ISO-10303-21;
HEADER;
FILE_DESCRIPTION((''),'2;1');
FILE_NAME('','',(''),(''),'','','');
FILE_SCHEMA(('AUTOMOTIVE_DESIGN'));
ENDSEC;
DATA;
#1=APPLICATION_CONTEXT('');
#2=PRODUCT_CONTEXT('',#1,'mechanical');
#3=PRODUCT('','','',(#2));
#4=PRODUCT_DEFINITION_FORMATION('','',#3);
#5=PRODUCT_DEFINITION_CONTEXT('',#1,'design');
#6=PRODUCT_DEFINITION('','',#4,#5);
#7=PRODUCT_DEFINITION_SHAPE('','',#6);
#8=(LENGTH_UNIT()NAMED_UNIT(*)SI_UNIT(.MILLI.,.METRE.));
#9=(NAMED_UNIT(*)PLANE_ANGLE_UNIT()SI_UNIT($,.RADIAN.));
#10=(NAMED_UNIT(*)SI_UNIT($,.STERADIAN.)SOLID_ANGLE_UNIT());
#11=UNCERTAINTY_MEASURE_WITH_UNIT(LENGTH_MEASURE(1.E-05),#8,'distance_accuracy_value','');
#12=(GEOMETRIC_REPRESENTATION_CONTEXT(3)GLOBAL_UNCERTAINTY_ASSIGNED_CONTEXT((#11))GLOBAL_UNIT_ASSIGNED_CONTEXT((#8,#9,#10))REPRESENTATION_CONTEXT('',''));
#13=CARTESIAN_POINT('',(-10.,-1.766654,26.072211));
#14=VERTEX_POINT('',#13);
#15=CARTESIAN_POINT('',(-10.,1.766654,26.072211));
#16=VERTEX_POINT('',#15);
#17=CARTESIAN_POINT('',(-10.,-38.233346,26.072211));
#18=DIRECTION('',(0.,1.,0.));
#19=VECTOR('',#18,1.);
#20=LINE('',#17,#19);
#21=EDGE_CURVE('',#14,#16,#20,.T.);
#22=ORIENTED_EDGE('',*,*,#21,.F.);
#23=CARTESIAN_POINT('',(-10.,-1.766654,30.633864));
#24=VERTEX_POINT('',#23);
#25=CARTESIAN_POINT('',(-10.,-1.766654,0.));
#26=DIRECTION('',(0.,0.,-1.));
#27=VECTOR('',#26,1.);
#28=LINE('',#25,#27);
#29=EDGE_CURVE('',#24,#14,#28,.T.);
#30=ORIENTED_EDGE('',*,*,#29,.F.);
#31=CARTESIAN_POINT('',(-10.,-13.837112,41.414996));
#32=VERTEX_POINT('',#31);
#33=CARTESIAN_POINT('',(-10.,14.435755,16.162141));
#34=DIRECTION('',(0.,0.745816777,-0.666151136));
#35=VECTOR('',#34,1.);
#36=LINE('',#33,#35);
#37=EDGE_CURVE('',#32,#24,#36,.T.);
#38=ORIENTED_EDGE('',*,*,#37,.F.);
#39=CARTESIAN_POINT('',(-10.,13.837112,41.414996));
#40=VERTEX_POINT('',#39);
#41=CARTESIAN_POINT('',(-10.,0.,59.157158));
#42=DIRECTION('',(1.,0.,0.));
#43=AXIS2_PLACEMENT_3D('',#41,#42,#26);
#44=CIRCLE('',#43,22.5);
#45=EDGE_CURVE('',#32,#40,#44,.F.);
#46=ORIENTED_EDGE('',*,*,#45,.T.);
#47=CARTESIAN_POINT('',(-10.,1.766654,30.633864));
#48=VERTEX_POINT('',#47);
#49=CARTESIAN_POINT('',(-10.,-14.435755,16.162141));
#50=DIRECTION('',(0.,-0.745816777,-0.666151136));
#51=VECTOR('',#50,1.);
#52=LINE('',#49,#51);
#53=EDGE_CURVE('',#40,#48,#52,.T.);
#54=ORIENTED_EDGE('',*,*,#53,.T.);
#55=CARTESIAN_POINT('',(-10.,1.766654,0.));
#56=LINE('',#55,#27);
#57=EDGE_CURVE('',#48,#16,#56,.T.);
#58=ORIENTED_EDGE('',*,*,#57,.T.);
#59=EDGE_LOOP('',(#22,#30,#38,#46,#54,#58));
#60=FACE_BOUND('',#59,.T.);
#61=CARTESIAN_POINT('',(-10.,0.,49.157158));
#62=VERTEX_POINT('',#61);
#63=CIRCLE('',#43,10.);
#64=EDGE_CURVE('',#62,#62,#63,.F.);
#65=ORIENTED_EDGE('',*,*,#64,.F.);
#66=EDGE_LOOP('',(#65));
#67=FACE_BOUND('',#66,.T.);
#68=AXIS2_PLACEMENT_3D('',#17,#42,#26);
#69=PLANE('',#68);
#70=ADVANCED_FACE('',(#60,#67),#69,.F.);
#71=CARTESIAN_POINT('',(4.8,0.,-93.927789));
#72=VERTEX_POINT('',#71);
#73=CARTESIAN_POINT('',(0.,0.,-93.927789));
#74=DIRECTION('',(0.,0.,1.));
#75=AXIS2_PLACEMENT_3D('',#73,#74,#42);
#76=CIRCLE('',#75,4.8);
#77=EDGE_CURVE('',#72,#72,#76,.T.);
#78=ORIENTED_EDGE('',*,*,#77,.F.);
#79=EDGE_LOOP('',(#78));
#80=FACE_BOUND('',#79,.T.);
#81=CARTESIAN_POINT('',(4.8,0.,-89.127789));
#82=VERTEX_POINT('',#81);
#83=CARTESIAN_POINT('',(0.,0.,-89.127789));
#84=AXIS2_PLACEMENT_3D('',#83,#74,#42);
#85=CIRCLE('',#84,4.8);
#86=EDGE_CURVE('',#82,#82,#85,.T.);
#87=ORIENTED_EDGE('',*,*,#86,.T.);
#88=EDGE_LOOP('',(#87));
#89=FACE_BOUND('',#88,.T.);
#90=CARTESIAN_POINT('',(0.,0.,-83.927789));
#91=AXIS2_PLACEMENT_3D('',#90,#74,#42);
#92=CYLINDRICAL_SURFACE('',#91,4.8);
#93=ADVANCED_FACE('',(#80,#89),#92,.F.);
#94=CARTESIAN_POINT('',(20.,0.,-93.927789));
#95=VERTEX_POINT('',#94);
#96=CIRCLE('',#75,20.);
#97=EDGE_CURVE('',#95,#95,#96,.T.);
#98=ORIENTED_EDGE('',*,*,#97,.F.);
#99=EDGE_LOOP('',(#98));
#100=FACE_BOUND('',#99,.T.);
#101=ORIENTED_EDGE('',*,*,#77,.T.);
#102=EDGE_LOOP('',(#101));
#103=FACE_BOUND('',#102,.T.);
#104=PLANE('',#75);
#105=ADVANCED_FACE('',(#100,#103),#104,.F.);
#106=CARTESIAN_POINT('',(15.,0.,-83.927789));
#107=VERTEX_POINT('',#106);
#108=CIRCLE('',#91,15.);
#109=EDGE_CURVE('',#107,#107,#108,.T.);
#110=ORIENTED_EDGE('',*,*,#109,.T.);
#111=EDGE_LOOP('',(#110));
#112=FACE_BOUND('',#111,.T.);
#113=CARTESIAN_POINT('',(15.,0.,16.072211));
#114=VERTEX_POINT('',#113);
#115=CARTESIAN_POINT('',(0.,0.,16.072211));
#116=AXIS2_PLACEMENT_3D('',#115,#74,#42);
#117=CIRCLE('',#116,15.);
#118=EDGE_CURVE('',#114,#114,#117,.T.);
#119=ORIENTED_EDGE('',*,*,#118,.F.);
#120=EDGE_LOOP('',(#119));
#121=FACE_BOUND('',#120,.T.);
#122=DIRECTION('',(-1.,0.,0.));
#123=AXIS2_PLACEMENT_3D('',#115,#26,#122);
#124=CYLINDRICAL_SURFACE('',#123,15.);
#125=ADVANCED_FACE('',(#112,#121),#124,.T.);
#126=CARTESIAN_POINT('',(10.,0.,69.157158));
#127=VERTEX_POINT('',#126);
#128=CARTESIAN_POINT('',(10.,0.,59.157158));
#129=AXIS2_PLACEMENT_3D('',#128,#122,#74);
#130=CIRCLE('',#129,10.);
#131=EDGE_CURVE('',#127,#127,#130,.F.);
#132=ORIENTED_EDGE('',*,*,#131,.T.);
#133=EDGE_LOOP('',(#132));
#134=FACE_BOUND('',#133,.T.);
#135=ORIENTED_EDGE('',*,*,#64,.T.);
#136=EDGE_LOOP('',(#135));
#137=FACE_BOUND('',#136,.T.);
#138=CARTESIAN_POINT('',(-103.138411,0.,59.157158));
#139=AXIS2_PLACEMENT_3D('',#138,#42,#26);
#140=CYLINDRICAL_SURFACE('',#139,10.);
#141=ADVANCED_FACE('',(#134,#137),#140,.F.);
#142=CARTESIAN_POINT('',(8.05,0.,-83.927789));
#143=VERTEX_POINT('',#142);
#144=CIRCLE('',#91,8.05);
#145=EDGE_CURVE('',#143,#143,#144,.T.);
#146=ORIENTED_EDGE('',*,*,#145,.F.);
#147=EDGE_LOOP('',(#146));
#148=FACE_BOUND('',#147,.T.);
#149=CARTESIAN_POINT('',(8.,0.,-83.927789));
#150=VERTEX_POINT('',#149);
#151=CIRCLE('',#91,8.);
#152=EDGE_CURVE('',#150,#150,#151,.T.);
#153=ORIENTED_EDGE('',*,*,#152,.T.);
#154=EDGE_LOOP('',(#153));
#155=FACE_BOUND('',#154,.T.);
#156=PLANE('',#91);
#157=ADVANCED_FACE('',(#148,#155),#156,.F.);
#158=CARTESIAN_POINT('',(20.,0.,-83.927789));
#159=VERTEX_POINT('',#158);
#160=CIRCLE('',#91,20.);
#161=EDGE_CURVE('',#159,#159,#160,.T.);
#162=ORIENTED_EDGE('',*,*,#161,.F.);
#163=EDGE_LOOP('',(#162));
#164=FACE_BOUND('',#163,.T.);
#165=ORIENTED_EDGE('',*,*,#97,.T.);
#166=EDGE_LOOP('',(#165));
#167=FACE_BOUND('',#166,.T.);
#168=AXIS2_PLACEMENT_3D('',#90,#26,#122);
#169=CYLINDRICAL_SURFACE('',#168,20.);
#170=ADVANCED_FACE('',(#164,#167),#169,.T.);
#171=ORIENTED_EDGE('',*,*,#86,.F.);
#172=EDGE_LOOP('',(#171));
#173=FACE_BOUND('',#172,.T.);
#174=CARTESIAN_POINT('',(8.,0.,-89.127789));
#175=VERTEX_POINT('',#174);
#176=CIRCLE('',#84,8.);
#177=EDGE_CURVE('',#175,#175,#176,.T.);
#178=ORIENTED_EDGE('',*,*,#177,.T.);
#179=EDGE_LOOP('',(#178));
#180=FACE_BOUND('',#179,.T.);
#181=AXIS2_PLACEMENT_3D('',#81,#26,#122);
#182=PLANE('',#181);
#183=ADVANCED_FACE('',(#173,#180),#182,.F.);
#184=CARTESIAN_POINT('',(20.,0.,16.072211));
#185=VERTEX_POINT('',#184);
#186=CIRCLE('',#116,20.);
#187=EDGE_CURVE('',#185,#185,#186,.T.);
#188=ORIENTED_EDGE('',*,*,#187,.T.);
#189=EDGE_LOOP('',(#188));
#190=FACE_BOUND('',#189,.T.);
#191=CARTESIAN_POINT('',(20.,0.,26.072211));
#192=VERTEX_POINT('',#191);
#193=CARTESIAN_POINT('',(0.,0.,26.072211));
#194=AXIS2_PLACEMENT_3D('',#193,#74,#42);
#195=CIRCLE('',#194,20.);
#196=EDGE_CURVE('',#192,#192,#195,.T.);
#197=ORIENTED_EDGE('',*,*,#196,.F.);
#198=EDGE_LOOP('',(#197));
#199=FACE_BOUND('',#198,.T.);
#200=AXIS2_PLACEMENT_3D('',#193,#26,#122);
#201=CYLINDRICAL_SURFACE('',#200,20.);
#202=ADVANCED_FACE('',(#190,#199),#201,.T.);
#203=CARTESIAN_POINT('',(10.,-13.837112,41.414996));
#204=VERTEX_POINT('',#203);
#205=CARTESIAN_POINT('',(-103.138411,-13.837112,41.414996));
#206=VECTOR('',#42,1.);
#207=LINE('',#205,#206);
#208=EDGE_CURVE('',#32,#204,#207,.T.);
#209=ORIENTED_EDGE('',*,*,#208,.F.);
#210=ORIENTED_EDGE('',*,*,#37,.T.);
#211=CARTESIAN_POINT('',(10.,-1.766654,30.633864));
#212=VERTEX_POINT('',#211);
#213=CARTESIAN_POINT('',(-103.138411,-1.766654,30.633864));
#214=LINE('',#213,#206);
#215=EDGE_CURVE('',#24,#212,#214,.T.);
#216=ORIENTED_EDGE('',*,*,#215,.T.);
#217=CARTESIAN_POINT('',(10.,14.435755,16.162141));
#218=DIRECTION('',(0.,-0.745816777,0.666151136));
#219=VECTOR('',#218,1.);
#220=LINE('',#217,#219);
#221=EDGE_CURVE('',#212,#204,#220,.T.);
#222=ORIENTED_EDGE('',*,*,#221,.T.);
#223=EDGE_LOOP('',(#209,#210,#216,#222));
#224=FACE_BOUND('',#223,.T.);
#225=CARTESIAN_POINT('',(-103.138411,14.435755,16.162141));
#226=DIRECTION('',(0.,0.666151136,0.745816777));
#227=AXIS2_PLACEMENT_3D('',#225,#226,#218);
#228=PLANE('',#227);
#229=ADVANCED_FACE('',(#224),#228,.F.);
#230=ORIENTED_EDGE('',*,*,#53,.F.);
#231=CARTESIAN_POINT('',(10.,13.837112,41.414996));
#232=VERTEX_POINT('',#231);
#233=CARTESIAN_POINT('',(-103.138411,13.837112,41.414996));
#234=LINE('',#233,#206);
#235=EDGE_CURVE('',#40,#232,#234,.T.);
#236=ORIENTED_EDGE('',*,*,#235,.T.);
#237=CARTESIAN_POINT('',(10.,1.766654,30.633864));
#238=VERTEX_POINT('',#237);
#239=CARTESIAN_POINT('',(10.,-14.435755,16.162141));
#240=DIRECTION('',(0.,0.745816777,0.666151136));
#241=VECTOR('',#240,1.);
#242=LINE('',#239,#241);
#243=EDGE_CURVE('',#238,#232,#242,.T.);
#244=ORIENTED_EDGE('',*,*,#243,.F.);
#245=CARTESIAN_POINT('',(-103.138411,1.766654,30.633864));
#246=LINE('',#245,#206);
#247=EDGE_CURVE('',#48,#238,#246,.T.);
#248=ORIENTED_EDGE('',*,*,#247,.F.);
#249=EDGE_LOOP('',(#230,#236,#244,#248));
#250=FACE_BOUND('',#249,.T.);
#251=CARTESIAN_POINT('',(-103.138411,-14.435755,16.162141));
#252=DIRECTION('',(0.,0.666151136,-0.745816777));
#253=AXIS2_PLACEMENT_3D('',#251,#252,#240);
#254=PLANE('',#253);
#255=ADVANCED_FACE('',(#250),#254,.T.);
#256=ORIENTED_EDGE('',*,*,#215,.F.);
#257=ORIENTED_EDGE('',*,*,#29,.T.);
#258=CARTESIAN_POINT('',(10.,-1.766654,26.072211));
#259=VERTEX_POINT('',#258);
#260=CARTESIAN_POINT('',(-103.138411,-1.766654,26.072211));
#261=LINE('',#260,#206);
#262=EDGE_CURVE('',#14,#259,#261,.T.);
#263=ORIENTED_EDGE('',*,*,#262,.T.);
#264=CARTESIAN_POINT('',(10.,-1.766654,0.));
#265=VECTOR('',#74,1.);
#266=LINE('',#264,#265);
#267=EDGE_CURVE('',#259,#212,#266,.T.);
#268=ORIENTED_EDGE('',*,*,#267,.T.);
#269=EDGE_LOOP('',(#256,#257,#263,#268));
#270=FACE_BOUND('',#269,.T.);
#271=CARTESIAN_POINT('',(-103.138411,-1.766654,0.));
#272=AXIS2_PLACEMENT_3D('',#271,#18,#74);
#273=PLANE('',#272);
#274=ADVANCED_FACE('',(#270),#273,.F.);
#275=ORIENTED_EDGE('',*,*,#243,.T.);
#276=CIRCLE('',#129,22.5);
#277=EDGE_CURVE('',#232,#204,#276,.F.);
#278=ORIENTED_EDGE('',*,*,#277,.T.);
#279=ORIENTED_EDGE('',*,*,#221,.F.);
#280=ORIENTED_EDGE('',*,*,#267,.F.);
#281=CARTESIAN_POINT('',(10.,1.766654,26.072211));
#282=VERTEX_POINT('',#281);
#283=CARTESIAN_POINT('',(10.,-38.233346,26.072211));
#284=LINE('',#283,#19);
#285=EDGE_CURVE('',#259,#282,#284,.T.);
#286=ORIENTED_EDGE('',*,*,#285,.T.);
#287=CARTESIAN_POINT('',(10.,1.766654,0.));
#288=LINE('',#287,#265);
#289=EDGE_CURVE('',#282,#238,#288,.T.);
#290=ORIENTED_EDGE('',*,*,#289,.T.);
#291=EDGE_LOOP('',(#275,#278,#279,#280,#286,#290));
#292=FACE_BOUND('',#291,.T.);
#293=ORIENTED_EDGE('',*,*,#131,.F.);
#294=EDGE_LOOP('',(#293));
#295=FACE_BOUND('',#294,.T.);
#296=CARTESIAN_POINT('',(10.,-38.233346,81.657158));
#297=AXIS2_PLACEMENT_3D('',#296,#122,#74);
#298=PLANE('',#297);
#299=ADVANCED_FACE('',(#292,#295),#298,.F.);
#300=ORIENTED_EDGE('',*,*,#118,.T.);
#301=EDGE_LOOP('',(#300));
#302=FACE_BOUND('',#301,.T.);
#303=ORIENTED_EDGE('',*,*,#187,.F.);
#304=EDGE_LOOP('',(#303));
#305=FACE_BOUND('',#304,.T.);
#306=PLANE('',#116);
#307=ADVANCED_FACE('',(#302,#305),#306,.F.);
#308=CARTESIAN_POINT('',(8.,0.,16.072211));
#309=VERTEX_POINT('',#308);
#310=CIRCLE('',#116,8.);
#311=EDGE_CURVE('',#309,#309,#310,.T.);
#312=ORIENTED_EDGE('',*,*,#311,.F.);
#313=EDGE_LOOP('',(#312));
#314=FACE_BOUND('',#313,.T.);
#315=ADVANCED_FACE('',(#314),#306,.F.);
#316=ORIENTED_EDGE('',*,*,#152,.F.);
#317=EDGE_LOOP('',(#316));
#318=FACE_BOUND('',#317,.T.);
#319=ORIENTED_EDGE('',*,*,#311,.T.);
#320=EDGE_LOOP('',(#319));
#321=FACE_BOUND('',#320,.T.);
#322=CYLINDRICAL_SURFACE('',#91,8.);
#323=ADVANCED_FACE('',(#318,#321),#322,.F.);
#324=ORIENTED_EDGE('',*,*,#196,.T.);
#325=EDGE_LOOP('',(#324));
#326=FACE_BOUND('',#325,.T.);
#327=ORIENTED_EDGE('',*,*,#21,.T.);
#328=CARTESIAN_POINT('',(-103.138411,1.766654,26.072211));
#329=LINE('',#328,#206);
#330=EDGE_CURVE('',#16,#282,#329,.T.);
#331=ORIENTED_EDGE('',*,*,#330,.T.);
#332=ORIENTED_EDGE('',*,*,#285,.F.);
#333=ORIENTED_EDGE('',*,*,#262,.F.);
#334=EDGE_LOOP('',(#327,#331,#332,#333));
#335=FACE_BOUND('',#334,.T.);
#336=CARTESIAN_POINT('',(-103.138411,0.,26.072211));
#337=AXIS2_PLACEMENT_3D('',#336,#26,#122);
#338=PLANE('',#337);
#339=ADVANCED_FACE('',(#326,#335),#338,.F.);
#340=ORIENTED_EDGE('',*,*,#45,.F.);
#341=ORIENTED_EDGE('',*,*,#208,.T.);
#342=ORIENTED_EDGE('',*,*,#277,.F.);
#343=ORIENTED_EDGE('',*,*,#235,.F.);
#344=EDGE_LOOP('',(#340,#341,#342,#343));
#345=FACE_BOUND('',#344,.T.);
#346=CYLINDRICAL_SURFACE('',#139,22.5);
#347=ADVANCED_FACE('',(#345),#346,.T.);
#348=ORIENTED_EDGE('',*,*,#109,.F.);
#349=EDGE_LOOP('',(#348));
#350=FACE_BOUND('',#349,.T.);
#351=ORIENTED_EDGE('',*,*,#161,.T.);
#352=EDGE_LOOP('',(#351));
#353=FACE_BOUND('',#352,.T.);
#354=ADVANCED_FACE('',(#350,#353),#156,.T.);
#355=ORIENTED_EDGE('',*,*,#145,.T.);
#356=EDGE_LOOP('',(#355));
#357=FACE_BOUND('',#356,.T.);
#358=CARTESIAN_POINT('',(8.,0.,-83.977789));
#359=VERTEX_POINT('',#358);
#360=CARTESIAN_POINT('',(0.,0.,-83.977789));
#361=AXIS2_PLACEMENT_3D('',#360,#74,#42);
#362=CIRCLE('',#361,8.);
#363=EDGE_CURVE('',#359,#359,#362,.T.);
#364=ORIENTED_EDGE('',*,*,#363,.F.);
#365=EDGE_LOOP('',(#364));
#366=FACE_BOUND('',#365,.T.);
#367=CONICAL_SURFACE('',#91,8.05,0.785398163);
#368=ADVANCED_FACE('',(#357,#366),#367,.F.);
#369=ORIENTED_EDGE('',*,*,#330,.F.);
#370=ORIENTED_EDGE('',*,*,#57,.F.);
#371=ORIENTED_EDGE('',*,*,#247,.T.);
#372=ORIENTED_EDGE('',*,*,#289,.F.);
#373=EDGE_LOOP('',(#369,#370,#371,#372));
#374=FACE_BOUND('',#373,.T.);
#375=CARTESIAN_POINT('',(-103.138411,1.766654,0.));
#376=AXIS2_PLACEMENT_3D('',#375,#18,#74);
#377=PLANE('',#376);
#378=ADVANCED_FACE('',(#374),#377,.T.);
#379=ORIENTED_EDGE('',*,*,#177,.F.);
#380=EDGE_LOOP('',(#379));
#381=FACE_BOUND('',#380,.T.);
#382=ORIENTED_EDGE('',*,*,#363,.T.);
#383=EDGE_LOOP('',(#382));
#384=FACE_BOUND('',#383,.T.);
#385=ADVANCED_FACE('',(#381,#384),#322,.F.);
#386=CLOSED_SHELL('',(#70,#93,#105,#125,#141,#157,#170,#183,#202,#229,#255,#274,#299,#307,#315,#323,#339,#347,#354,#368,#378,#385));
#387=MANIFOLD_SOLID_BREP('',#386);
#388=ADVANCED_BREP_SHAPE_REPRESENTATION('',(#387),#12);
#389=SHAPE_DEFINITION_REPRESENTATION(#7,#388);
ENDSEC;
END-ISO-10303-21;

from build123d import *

# Parameters (mm, degrees)
SKETCH3_R           = 10
BOSS_EXTRUDE3_DEPTH = 5
SKETCH16_R          = 7.5
BOSS_EXTRUDE7_DEPTH = 50
SKETCH19_R          = 4
CUT_EXTRUDE3_DEPTH  = 50
SKETCH20_R          = 10
BOSS_EXTRUDE8_DEPTH = 5
SKETCH21_W          = 103.138410702
SKETCH21_H          = 76.113402372
BOSS_EXTRUDE9_DEPTH = 70
SCALE1_SCALE        = 2
SKETCH31_R          = 10
CUT_EXTRUDE11_DEPTH = 207.276821406
SKETCH32_W          = 93.138410703
SKETCH32_H          = 55.584947452
CUT_EXTRUDE12_DEPTH = 40


with BuildPart() as part:
    # Sketch3 → Boss-Extrude3 (new body)
    with BuildSketch(Plane.XY):
        Circle(SKETCH3_R)
    extrude(amount=BOSS_EXTRUDE3_DEPTH)

    # Sketch14 → CBORE for M4 Cheese Head Screw1 (revolve, cut)
    with BuildSketch(Plane(origin=(0, 0, 5), x_dir=(0, -1, 0), z_dir=(1, 0, 0))):
        Polygon((0, 0), (0, 8.942065486), (2.4, 7.5), (2.4, 2.6), (4, 2.6), (4, 0.025), (4.025, 0), align=None)
    revolve(axis=Axis((0, 0, 11.35), (0, 0, -1)), mode=Mode.SUBTRACT)

    # Sketch16 → Boss-Extrude7 (add)
    with BuildSketch(Plane.XY.offset(5)):
        Circle(SKETCH16_R)
    extrude(amount=BOSS_EXTRUDE7_DEPTH)

    # Sketch19 → Cut-Extrude3 (cut)
    with BuildSketch(Plane.XY.offset(55)):
        Circle(SKETCH19_R)
    extrude(amount=-CUT_EXTRUDE3_DEPTH, mode=Mode.SUBTRACT)

    # Sketch20 → Boss-Extrude8 (add)
    with BuildSketch(Plane.XY.offset(55)):
        Circle(SKETCH20_R)
    extrude(amount=BOSS_EXTRUDE8_DEPTH)

    # Sketch21 → Boss-Extrude9 (add)
    with BuildSketch(Plane.XY.offset(60)):
        Rectangle(SKETCH21_W, SKETCH21_H)
    extrude(amount=BOSS_EXTRUDE9_DEPTH)


with BuildPart() as part_1:
    # Scale1: scaled about (0, 0, 93.927789278)
    add(part.part.scale(SCALE1_SCALE).moved(Location((0, 0, -93.927789278))))

    # Sketch31 → Cut-Extrude11 (cut, through all)
    with BuildSketch(Plane(origin=(103.138410703, 0, 0), x_dir=(0, 0, -1), z_dir=(1, 0, 0))):
        with BuildLine():
            Line((-30.633863687, 1.766654317), (-26.072210722, 1.766654317))
            Line((-26.072210722, 1.766654317), (-26.072210722, 76.113402371))
            Line((-26.072210722, 76.113402371), (-166.072210722, 76.113402371))
            Line((-166.072210722, 76.113402371), (-166.072210722, -76.113402371))
            Line((-166.072210722, -76.113402371), (-26.072210722, -76.113402371))
            Line((-26.072210722, -76.113402371), (-26.072210722, -1.766654317))
            Line((-26.072210722, -1.766654317), (-30.633863687, -1.766654317))
            Line((-30.633863687, -1.766654317), (-41.414995548, -13.837111886))
            ThreePointArc((-41.414995548, -13.837111886), (-81.657158174, 0), (-41.414995548, 13.837111886))
            Line((-41.414995548, 13.837111886), (-30.633863687, 1.766654317))
        make_face()
        Polygon((-166.072210722, 76.113402371), (-26.072210722, 76.113402371), (-26.072210722, 93.777305116), (-178.92688661, 93.777305116), (-178.92688661, -90.381530622), (-26.072210722, -90.381530622), (-26.072210722, -76.113402371), (-166.072210722, -76.113402371), align=None)
        with Locations((-59.157158174, 0)):
            Circle(SKETCH31_R)
    extrude(amount=-CUT_EXTRUDE11_DEPTH, mode=Mode.SUBTRACT)

    # Sketch32 → Cut-Extrude12 (cut, symmetric)
    with BuildSketch(Plane(origin=(0, 1.766654317, 0), x_dir=(1, 0, 0), z_dir=(0, 1, 0))):
        with Locations((-56.569205352, -53.864684448)):
            Rectangle(SKETCH32_W, SKETCH32_H)
        with Locations((56.569205352, -53.864684448)):
            Rectangle(SKETCH32_W, SKETCH32_H)
    extrude(amount=CUT_EXTRUDE12_DEPTH, both=True, mode=Mode.SUBTRACT)


solid = part_1.part
